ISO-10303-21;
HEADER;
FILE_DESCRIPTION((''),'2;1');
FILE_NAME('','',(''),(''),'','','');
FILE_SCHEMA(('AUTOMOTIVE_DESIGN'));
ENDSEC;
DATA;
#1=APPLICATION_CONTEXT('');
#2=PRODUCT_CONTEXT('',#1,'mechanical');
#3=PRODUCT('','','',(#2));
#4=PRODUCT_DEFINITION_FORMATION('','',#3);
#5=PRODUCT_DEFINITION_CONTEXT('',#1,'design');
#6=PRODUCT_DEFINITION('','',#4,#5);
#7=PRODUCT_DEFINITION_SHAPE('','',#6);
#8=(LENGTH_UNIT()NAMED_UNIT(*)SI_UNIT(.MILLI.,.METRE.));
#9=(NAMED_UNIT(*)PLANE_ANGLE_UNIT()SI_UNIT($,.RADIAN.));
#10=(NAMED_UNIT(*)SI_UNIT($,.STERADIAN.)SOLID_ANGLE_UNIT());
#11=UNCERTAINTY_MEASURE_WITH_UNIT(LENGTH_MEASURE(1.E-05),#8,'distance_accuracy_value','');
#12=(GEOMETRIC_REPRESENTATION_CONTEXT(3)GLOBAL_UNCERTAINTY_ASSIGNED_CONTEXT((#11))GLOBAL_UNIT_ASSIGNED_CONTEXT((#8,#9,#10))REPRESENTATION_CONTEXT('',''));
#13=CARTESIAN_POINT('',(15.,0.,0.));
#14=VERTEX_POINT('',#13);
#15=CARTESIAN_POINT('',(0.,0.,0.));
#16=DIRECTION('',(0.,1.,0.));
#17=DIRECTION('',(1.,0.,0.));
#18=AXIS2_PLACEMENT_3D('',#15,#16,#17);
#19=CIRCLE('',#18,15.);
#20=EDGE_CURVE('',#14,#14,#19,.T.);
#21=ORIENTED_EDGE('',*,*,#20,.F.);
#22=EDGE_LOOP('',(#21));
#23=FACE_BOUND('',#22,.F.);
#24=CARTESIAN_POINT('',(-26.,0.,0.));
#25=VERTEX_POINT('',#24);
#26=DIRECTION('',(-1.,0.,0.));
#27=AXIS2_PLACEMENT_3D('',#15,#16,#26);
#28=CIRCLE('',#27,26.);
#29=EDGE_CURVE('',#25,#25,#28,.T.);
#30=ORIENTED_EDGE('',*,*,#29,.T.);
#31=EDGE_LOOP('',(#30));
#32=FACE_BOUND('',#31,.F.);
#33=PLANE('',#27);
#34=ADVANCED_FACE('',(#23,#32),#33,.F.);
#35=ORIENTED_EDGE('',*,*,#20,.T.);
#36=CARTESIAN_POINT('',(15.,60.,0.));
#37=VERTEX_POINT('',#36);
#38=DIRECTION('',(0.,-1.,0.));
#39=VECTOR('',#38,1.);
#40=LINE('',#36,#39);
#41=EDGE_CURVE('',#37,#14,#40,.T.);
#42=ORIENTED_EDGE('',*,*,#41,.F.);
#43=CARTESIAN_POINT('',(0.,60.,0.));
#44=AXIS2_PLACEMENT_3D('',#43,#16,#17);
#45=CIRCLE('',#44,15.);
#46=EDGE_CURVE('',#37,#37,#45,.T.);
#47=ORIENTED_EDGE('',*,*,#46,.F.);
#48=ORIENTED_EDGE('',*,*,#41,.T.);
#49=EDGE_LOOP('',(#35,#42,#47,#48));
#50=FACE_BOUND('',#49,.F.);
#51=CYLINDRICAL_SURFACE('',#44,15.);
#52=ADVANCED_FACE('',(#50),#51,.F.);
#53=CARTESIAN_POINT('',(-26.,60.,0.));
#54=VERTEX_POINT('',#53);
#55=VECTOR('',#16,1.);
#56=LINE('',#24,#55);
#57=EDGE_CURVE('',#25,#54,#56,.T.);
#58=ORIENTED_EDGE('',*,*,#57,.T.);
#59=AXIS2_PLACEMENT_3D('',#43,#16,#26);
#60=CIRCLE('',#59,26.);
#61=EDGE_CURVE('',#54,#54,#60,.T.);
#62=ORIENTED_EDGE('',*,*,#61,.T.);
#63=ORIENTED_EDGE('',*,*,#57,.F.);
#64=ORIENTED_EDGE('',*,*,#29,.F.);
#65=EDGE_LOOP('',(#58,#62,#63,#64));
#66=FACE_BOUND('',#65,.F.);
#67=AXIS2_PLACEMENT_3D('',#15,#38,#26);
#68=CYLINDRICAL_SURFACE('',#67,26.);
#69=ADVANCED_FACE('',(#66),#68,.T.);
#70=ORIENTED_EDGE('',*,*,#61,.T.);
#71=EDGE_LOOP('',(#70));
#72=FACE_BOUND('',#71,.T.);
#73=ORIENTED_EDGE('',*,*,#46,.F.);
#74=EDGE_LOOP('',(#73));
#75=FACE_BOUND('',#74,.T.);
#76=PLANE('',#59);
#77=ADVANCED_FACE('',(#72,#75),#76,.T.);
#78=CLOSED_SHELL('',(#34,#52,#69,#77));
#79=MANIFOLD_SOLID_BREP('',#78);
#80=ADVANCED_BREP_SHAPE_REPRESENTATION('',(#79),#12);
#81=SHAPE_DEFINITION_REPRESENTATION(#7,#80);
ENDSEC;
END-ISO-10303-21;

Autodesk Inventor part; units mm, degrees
ref_plane "YZ Plane" through (0, 0, 0) normal (1, 0, 0) x (0, 1, 0)
ref_plane "XZ Plane" through (0, 0, 0) normal (0, 1, 0) x (-1, 0, 0)
ref_plane "XY Plane" through (0, 0, 0) normal (0, 0, 1) x (1, 0, 0)
sketch "スケッチ1" plane through (0, 0, 0) normal (0, 1, 0) x (-1, 0, 0)
  circle A0 centre (0, 0) radius 26
  dimension "d0" = 52
extrude "押し出し1" add sketch "スケッチ1" along normal blind 60
sketch "スケッチ2" plane through (0, 60, 0) normal (0, 1, 0) x (1, 0, 0)
  circle A0 centre (0, 0) radius 15
  dimension "d3" = 30
extrude "押し出し2" cut sketch "スケッチ2" against normal up to next
properties part number "vacuum_pad"
